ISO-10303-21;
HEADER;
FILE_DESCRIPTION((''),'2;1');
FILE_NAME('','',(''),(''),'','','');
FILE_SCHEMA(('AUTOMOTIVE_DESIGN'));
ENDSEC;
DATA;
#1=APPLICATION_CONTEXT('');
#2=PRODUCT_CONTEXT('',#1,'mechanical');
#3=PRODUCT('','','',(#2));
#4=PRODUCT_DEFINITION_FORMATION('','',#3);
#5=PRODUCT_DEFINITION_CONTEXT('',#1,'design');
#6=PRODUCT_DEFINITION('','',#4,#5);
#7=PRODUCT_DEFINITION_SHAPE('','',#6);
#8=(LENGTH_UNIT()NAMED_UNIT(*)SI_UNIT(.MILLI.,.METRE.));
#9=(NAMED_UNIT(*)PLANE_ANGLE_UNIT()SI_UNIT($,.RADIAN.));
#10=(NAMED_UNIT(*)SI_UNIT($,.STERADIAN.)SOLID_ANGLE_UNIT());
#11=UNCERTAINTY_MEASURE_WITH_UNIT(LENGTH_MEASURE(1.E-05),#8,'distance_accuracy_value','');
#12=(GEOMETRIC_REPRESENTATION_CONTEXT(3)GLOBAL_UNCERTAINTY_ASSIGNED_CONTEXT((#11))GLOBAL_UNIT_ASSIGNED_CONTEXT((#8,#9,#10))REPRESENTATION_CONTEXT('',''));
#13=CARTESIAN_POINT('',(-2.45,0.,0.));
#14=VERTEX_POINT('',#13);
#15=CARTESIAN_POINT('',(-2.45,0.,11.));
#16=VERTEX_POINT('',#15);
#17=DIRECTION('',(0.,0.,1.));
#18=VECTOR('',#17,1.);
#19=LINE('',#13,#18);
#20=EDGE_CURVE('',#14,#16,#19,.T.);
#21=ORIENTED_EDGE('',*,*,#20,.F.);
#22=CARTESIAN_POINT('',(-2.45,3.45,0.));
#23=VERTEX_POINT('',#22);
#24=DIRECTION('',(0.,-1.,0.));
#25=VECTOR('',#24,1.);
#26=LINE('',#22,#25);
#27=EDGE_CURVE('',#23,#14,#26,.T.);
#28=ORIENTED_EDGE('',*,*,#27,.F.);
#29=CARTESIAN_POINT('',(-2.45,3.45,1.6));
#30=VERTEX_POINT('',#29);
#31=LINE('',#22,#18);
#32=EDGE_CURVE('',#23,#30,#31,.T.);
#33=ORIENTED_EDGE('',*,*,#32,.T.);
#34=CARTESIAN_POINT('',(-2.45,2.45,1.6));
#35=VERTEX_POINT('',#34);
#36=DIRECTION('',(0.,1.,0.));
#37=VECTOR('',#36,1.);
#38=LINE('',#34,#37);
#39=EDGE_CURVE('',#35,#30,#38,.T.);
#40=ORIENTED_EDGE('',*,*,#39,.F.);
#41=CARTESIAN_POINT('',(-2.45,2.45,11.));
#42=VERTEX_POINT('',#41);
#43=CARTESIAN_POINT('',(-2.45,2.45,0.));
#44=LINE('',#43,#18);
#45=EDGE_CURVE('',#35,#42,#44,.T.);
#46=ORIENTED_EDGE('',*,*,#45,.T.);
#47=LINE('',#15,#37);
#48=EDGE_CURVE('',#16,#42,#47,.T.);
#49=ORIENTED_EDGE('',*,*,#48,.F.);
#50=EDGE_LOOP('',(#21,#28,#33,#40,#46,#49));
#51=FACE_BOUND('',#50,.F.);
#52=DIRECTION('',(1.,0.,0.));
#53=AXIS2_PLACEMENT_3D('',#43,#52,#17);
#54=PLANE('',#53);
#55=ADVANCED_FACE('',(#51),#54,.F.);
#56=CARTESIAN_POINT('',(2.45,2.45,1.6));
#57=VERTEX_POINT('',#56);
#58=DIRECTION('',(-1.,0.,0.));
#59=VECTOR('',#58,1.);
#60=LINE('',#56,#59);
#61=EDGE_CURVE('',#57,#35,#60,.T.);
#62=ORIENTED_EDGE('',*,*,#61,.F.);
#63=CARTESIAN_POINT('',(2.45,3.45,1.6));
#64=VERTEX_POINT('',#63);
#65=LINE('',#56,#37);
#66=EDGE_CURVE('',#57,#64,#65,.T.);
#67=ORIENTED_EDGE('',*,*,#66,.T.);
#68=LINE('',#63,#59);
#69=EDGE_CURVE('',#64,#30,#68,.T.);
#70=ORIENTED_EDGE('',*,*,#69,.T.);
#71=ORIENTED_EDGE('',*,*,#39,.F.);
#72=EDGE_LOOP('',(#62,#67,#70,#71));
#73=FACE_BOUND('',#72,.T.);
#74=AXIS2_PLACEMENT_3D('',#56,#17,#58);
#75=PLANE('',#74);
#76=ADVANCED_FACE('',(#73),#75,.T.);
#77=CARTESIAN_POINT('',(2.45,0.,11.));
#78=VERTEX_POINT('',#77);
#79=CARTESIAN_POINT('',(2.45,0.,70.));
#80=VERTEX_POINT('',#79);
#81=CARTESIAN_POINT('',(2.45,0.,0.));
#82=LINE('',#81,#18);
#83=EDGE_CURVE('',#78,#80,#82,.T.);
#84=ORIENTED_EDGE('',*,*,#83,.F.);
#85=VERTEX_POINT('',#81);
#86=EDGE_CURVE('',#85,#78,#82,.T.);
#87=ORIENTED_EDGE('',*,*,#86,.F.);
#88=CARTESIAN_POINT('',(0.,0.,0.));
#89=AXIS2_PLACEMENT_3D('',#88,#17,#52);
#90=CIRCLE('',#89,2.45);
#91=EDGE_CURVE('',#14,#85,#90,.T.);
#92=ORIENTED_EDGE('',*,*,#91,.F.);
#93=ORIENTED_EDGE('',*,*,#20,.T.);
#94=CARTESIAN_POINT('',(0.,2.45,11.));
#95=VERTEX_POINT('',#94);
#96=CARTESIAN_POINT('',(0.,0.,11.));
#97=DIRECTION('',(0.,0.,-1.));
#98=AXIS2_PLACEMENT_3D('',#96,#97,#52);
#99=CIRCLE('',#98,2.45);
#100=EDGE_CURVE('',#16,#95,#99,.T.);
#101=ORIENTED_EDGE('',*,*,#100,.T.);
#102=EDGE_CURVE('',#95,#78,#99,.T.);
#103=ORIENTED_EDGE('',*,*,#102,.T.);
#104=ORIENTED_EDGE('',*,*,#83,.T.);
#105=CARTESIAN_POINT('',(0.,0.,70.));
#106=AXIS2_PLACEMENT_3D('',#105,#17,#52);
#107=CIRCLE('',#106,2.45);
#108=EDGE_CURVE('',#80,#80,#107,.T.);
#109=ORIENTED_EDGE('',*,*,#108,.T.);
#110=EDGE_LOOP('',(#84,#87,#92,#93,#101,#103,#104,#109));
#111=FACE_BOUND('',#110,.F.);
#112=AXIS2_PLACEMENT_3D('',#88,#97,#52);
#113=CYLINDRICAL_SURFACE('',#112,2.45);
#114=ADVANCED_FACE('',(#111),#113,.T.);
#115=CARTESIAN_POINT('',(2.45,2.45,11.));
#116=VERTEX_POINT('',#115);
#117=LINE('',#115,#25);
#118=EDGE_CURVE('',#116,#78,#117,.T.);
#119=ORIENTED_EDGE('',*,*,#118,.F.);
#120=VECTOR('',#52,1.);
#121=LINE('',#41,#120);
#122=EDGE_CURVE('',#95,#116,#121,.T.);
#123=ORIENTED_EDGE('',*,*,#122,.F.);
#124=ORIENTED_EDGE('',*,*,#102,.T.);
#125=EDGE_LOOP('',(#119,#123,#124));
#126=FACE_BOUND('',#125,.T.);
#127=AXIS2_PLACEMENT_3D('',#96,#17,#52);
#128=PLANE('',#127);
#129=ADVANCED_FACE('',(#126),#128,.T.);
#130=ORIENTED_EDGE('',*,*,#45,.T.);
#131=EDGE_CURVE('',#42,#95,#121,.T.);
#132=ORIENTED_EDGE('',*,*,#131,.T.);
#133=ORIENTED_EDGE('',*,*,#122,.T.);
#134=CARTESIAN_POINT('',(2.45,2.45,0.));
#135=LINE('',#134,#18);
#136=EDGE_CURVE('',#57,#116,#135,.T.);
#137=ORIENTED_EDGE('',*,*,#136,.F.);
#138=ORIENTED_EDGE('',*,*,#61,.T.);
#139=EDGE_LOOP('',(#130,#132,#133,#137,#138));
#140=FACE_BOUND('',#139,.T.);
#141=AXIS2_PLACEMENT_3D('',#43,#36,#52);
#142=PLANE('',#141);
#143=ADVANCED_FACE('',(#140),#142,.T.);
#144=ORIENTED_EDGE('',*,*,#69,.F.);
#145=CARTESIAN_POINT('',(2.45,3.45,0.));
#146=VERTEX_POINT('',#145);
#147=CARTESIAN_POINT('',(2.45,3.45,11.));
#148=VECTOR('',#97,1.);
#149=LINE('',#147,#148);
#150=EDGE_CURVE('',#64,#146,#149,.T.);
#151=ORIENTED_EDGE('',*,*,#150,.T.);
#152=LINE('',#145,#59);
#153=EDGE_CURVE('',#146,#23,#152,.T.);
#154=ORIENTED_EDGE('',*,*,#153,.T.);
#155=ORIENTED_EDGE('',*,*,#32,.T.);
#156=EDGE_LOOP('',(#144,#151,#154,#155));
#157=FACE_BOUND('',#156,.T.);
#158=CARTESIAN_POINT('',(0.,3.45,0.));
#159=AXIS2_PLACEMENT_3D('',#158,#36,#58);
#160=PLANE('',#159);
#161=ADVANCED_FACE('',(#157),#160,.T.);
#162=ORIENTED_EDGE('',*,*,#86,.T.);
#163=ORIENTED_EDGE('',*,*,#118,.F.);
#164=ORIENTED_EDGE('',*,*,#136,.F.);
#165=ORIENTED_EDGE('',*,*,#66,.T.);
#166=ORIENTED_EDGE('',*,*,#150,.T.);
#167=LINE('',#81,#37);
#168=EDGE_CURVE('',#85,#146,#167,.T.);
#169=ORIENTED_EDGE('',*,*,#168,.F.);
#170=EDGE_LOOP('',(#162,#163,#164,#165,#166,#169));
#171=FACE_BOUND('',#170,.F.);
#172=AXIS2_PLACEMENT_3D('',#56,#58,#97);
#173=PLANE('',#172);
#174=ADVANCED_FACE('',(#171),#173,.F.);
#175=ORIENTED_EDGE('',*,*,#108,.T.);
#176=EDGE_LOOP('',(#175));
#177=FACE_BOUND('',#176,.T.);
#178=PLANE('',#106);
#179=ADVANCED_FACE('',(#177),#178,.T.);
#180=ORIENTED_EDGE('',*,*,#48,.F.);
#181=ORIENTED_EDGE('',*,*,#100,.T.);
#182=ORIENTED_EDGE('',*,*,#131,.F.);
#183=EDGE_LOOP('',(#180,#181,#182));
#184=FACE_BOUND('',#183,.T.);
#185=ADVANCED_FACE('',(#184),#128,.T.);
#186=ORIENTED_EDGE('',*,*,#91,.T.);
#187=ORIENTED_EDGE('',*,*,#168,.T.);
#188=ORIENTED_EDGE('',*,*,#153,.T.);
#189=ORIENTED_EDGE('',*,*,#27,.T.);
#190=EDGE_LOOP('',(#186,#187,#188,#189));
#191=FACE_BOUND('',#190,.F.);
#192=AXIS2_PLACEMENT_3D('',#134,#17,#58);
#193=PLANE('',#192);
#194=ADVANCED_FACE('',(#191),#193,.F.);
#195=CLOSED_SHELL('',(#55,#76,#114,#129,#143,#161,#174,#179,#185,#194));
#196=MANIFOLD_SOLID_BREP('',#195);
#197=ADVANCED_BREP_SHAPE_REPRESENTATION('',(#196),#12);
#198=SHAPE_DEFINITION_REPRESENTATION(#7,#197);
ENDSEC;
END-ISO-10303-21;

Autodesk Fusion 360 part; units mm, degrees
sketch "Sketch1" plane through (0, 0, 0) normal (0, 0, 1) x (1, 0, 0)
  circle A0 centre (0, 0) radius 2.45
  dimension "d1" = 4.9
extrude "Extrude1" add sketch "Sketch1" along normal blind 70
sketch "Sketch2" plane through (0, 0, 0) normal (0, 0, 1) x (1, 0, 0)
  line L0 (0, 0) -> (2.45, 0)
  line L1 (2.45, 0) -> (-2.45, 0)
  line L2 (-2.45, 0) -> (-2.45, 2.45)
  line L3 (-2.45, 2.45) -> (2.45, 2.45)
  line L4 (2.45, 2.45) -> (2.45, 0)
  dimension "d4" = 2.45
  dimension "d5" = 4.9
  dimension "d6" = 2.45
extrude "Extrude2" add sketch "Sketch2" along normal blind 11
sketch "Sketch3" plane through (0, 2.45, 0) normal (0, 1, 0) x (-1, 0, 0)
  line L0 (0, 11) -> (-2.45, 11)
  line L1 (-2.45, 11) -> (-2.45, 0)
  line L2 (-2.45, 0) -> (2.45, 0)
  line L3 (2.45, 0) -> (2.45, 11)
  line L4 (2.45, 11) -> (0, 11)
  line L5 (2.45, 0) -> (-2.45, 0)
  line L6 (-2.45, 0) -> (-2.45, 1.6)
  line L7 (-2.45, 1.6) -> (2.45, 1.6)
  line L8 (2.45, 1.6) -> (2.45, 0)
  dimension "d9" = 1.6
extrude "Extrude3" add sketch "Sketch3" along normal blind 1 contours L1 L2 L3 L5 L6 L7 L8
sketch "Sketch4" plane through (0, 0, 0) normal (1, 0, 0) x (0, 0, -1)
  line L0 (0, 0) -> (0, -2.45)
  line L1 (0, -2.45) -> (-6.9, -2.45)
  line L2 (-6.9, -2.45) -> (-4.9, -2.45)
  line L3 (-5.9, -2.45) -> (-5.9, -1.825)
  line L4 (-5.9, -1.825) -> (-5.9, -1.325)
  line L5 (-5.9, -1.325) -> (-5.9, -1.2)
  line L6 (0, 0) -> (-0.3154, 0)
  line L7 (-0.3154, 0) -> (-5.9, 0)
  line L8 (-5.9, 0) -> (-2.9, 0)
  line L9 (-5.9, 0) -> (-8.9, 0)
  line L10 (-8.9, 0) -> (-2.9, 0) construction
  line L11 (-1.7, 0) -> (-10.1, 0)
  line L12 (-2.9, 1.575) -> (-8.9, 1.575)
  arc A0 (-8.9, 1.575) -> (-8.9, -1.575) centre (-8.9, 0) ccw
  line L13 (-8.9, -1.575) -> (-2.9, -1.575)
  arc A1 (-2.9, -1.575) -> (-2.9, 1.575) centre (-2.9, 0) ccw
  line L14 (-2.9, 0) -> (-8.9, 0) construction
  line L15 (-10.1, 0) -> (-10.475, 0)
  ellipse E0 centre (-5.9, -2.45) end of major axis (-6.9, -2.45) minor radius 0.5
  line L16 (-4.9, -2.45) -> (-6.9, -2.45) construction
  line L17 (-5.9, -1.95) -> (-5.9, -2.95) construction
  dimension "d12" = 2.45
  dimension "d13" = 6.9
  dimension "d14" = 2
  dimension "d16" = 0.5
  dimension "d17" = 3
  dimension "d18" = 3
  dimension "d29" = 1
extrude "Extrude4" [suppressed]
extrude "Extrude5" [suppressed]
sketch "Sketch5" plane through (0, 0, 70) normal (0, 0, 1) x (1, 0, 0)
  circle A0 centre (0, 0) radius 2.45
  circle A1 centre (0, 0) radius 1.5
extrude "Extrude6" [suppressed]
fillet "Fillet1" [suppressed]
chamfer "Chamfer1" [suppressed]
moveface "MoveFace1" [suppressed]
fillet "Fillet2" [suppressed]
fillet "Fillet3" [suppressed]
move_face "OffsetFaces1" [suppressed]
moveface "MoveFace2" [suppressed]
sketch "Sketch6" plane through (0, 0, 0) normal (0, 0, 1) x (1, 0, 0)
  circle A0 centre (0, 0) radius 2.45
  line L0 (0, 0) -> (0, -2.45)
  line L1 (0, -2.45) -> (0, -2.95)
  line L2 (0, -2.95) -> (-0.5, -2.95)
  line L3 (-0.5, -2.95) -> (-0.5, -2.3984)
  line L4 (-0.5, -2.3984) -> (0, -2.3984)
  line L5 (0, -2.3984) -> (0, -2.95)
  line L6 (-0.5, -2.95) -> (-0.2, -2.95)
  line L7 (-0.2, -2.95) -> (-1.5058, -1.9327)
  dimension "d30" = 4.9
  dimension "d31" = 0.5
  dimension "d32" = 0.5
  dimension "d33" = 0.3
move_body "Move2" [suppressed]
equation "d4 = ( 4.9 / 2 ) * 1 mm"
equation "d6 = ( 4.9 / 2 ) * 1 mm"
equation "d12 = ( 4.9 / 2 ) * 1 mm"
equation "d26 = ( 3 / 2 ) * 1 mm"
equation "d28 = ( ( 4.9 - 3 ) / 2 ) * 1 mm"
